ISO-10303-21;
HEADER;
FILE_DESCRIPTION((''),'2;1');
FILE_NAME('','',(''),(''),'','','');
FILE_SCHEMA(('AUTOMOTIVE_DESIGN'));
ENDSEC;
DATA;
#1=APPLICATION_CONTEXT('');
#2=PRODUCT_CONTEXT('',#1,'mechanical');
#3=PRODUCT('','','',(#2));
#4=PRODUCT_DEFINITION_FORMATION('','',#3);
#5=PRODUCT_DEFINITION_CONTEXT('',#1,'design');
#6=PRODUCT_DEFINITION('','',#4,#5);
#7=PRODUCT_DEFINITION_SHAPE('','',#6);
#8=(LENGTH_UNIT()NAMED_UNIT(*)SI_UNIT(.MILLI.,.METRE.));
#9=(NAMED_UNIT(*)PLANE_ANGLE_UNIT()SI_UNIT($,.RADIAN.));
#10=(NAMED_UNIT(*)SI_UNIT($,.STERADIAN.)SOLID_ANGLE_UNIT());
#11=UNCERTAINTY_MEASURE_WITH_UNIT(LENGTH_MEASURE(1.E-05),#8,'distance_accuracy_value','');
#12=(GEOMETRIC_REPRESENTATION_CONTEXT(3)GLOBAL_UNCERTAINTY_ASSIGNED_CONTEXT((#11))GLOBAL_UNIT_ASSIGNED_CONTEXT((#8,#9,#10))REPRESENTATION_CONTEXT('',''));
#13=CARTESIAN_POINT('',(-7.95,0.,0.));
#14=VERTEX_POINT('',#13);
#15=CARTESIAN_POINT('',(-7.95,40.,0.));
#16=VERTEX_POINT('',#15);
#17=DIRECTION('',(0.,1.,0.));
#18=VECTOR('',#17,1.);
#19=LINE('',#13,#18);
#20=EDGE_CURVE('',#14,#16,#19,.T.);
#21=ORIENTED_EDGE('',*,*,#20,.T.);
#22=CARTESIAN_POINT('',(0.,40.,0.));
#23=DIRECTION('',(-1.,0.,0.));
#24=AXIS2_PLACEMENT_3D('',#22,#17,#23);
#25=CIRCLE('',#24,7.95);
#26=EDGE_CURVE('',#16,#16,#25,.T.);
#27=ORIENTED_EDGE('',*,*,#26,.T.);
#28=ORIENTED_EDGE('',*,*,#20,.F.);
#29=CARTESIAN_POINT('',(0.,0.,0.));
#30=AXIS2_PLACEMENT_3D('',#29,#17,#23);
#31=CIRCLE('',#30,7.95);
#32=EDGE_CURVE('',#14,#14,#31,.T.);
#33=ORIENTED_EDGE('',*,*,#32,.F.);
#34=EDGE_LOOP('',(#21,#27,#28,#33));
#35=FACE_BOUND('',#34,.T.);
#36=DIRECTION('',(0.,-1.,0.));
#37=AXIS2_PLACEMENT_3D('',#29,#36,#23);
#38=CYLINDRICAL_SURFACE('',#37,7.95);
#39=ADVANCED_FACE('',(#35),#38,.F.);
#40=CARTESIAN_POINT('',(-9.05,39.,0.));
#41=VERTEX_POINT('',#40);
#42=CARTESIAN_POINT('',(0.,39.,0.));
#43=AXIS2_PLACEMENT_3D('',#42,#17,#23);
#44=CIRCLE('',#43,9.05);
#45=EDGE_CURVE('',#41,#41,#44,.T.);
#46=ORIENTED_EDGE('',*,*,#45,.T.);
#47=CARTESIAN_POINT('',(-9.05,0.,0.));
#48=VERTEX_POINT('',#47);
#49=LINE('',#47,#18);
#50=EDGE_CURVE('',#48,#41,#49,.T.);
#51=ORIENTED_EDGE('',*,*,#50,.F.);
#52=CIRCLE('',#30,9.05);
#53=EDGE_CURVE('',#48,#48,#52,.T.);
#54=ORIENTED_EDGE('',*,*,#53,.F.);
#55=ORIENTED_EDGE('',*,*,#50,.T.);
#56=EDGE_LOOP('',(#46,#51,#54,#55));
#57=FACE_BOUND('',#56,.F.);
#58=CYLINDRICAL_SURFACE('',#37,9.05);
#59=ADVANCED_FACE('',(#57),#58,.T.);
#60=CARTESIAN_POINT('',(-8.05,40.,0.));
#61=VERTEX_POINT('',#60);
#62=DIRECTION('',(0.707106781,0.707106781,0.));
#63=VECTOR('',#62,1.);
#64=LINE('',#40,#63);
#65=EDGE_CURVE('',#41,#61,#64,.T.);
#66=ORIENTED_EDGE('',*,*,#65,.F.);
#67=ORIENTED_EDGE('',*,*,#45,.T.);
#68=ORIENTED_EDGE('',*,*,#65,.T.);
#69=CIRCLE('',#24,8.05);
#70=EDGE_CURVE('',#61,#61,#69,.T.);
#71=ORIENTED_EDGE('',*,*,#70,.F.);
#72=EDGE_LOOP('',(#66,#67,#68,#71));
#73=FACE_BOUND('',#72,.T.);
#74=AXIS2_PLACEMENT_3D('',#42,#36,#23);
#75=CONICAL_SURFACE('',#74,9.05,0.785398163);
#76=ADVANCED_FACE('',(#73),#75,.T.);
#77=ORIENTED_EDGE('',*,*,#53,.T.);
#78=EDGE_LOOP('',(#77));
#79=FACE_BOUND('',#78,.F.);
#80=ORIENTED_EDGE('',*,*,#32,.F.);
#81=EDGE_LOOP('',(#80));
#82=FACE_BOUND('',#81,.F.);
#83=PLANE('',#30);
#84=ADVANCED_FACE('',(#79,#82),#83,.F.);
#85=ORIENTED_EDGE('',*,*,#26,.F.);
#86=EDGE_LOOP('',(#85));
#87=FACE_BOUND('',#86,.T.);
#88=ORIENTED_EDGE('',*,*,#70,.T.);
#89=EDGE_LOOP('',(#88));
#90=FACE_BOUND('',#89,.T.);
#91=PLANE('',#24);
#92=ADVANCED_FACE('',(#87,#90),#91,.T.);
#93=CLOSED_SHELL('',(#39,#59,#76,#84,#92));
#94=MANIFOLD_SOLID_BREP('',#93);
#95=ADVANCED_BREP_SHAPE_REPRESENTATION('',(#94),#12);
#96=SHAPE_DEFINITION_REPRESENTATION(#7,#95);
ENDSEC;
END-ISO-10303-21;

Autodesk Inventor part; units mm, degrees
ref_plane "YZ Plane" through (0, 0, 0) normal (1, 0, 0) x (0, 1, 0)
ref_plane "XZ Plane" through (0, 0, 0) normal (0, 1, 0) x (-1, 0, 0)
ref_plane "XY Plane" through (0, 0, 0) normal (0, 0, 1) x (1, 0, 0)
sketch "Szkic1" plane through (0, 0, 0) normal (0, 1, 0) x (-1, 0, 0)
  circle A0 centre (0, 0) radius 7.95
  circle A1 centre (0, 0) radius 9.05
  dimension "d0" = 15.9
  dimension "d1" = 18.1
extrude "Wyciągnięcie proste1" add sketch "Szkic1" along normal blind 40
chamfer "Faza1" distance 1 angle 45 1 edges at (9.05, 40, 0)
equation "\"PromieńGięcia\" = Grubość"
equation "\"SzerokośćGięciaPodcięcia\" = Grubość"
equation "\"GłębokośćGięciaPodcięcia\" = 0.5 * Grubość"
equation "\"RozmiarPodcięciaNarożnika\" = 4 * Grubość"
equation "\"MinimalnaPozostałość\" = 2 * Grubość"
equation "\"PromieńPrzejścia\" = PromieńGięcia"
equation "\"Rozmiar_promienia_Jacobiego\" = Grubość"
equation "\"Wielk_odstępu\" = Grubość"
equation "\"Grubość\" = 0.5"
properties part number "pierscien nr 2 srodkowy v2"
